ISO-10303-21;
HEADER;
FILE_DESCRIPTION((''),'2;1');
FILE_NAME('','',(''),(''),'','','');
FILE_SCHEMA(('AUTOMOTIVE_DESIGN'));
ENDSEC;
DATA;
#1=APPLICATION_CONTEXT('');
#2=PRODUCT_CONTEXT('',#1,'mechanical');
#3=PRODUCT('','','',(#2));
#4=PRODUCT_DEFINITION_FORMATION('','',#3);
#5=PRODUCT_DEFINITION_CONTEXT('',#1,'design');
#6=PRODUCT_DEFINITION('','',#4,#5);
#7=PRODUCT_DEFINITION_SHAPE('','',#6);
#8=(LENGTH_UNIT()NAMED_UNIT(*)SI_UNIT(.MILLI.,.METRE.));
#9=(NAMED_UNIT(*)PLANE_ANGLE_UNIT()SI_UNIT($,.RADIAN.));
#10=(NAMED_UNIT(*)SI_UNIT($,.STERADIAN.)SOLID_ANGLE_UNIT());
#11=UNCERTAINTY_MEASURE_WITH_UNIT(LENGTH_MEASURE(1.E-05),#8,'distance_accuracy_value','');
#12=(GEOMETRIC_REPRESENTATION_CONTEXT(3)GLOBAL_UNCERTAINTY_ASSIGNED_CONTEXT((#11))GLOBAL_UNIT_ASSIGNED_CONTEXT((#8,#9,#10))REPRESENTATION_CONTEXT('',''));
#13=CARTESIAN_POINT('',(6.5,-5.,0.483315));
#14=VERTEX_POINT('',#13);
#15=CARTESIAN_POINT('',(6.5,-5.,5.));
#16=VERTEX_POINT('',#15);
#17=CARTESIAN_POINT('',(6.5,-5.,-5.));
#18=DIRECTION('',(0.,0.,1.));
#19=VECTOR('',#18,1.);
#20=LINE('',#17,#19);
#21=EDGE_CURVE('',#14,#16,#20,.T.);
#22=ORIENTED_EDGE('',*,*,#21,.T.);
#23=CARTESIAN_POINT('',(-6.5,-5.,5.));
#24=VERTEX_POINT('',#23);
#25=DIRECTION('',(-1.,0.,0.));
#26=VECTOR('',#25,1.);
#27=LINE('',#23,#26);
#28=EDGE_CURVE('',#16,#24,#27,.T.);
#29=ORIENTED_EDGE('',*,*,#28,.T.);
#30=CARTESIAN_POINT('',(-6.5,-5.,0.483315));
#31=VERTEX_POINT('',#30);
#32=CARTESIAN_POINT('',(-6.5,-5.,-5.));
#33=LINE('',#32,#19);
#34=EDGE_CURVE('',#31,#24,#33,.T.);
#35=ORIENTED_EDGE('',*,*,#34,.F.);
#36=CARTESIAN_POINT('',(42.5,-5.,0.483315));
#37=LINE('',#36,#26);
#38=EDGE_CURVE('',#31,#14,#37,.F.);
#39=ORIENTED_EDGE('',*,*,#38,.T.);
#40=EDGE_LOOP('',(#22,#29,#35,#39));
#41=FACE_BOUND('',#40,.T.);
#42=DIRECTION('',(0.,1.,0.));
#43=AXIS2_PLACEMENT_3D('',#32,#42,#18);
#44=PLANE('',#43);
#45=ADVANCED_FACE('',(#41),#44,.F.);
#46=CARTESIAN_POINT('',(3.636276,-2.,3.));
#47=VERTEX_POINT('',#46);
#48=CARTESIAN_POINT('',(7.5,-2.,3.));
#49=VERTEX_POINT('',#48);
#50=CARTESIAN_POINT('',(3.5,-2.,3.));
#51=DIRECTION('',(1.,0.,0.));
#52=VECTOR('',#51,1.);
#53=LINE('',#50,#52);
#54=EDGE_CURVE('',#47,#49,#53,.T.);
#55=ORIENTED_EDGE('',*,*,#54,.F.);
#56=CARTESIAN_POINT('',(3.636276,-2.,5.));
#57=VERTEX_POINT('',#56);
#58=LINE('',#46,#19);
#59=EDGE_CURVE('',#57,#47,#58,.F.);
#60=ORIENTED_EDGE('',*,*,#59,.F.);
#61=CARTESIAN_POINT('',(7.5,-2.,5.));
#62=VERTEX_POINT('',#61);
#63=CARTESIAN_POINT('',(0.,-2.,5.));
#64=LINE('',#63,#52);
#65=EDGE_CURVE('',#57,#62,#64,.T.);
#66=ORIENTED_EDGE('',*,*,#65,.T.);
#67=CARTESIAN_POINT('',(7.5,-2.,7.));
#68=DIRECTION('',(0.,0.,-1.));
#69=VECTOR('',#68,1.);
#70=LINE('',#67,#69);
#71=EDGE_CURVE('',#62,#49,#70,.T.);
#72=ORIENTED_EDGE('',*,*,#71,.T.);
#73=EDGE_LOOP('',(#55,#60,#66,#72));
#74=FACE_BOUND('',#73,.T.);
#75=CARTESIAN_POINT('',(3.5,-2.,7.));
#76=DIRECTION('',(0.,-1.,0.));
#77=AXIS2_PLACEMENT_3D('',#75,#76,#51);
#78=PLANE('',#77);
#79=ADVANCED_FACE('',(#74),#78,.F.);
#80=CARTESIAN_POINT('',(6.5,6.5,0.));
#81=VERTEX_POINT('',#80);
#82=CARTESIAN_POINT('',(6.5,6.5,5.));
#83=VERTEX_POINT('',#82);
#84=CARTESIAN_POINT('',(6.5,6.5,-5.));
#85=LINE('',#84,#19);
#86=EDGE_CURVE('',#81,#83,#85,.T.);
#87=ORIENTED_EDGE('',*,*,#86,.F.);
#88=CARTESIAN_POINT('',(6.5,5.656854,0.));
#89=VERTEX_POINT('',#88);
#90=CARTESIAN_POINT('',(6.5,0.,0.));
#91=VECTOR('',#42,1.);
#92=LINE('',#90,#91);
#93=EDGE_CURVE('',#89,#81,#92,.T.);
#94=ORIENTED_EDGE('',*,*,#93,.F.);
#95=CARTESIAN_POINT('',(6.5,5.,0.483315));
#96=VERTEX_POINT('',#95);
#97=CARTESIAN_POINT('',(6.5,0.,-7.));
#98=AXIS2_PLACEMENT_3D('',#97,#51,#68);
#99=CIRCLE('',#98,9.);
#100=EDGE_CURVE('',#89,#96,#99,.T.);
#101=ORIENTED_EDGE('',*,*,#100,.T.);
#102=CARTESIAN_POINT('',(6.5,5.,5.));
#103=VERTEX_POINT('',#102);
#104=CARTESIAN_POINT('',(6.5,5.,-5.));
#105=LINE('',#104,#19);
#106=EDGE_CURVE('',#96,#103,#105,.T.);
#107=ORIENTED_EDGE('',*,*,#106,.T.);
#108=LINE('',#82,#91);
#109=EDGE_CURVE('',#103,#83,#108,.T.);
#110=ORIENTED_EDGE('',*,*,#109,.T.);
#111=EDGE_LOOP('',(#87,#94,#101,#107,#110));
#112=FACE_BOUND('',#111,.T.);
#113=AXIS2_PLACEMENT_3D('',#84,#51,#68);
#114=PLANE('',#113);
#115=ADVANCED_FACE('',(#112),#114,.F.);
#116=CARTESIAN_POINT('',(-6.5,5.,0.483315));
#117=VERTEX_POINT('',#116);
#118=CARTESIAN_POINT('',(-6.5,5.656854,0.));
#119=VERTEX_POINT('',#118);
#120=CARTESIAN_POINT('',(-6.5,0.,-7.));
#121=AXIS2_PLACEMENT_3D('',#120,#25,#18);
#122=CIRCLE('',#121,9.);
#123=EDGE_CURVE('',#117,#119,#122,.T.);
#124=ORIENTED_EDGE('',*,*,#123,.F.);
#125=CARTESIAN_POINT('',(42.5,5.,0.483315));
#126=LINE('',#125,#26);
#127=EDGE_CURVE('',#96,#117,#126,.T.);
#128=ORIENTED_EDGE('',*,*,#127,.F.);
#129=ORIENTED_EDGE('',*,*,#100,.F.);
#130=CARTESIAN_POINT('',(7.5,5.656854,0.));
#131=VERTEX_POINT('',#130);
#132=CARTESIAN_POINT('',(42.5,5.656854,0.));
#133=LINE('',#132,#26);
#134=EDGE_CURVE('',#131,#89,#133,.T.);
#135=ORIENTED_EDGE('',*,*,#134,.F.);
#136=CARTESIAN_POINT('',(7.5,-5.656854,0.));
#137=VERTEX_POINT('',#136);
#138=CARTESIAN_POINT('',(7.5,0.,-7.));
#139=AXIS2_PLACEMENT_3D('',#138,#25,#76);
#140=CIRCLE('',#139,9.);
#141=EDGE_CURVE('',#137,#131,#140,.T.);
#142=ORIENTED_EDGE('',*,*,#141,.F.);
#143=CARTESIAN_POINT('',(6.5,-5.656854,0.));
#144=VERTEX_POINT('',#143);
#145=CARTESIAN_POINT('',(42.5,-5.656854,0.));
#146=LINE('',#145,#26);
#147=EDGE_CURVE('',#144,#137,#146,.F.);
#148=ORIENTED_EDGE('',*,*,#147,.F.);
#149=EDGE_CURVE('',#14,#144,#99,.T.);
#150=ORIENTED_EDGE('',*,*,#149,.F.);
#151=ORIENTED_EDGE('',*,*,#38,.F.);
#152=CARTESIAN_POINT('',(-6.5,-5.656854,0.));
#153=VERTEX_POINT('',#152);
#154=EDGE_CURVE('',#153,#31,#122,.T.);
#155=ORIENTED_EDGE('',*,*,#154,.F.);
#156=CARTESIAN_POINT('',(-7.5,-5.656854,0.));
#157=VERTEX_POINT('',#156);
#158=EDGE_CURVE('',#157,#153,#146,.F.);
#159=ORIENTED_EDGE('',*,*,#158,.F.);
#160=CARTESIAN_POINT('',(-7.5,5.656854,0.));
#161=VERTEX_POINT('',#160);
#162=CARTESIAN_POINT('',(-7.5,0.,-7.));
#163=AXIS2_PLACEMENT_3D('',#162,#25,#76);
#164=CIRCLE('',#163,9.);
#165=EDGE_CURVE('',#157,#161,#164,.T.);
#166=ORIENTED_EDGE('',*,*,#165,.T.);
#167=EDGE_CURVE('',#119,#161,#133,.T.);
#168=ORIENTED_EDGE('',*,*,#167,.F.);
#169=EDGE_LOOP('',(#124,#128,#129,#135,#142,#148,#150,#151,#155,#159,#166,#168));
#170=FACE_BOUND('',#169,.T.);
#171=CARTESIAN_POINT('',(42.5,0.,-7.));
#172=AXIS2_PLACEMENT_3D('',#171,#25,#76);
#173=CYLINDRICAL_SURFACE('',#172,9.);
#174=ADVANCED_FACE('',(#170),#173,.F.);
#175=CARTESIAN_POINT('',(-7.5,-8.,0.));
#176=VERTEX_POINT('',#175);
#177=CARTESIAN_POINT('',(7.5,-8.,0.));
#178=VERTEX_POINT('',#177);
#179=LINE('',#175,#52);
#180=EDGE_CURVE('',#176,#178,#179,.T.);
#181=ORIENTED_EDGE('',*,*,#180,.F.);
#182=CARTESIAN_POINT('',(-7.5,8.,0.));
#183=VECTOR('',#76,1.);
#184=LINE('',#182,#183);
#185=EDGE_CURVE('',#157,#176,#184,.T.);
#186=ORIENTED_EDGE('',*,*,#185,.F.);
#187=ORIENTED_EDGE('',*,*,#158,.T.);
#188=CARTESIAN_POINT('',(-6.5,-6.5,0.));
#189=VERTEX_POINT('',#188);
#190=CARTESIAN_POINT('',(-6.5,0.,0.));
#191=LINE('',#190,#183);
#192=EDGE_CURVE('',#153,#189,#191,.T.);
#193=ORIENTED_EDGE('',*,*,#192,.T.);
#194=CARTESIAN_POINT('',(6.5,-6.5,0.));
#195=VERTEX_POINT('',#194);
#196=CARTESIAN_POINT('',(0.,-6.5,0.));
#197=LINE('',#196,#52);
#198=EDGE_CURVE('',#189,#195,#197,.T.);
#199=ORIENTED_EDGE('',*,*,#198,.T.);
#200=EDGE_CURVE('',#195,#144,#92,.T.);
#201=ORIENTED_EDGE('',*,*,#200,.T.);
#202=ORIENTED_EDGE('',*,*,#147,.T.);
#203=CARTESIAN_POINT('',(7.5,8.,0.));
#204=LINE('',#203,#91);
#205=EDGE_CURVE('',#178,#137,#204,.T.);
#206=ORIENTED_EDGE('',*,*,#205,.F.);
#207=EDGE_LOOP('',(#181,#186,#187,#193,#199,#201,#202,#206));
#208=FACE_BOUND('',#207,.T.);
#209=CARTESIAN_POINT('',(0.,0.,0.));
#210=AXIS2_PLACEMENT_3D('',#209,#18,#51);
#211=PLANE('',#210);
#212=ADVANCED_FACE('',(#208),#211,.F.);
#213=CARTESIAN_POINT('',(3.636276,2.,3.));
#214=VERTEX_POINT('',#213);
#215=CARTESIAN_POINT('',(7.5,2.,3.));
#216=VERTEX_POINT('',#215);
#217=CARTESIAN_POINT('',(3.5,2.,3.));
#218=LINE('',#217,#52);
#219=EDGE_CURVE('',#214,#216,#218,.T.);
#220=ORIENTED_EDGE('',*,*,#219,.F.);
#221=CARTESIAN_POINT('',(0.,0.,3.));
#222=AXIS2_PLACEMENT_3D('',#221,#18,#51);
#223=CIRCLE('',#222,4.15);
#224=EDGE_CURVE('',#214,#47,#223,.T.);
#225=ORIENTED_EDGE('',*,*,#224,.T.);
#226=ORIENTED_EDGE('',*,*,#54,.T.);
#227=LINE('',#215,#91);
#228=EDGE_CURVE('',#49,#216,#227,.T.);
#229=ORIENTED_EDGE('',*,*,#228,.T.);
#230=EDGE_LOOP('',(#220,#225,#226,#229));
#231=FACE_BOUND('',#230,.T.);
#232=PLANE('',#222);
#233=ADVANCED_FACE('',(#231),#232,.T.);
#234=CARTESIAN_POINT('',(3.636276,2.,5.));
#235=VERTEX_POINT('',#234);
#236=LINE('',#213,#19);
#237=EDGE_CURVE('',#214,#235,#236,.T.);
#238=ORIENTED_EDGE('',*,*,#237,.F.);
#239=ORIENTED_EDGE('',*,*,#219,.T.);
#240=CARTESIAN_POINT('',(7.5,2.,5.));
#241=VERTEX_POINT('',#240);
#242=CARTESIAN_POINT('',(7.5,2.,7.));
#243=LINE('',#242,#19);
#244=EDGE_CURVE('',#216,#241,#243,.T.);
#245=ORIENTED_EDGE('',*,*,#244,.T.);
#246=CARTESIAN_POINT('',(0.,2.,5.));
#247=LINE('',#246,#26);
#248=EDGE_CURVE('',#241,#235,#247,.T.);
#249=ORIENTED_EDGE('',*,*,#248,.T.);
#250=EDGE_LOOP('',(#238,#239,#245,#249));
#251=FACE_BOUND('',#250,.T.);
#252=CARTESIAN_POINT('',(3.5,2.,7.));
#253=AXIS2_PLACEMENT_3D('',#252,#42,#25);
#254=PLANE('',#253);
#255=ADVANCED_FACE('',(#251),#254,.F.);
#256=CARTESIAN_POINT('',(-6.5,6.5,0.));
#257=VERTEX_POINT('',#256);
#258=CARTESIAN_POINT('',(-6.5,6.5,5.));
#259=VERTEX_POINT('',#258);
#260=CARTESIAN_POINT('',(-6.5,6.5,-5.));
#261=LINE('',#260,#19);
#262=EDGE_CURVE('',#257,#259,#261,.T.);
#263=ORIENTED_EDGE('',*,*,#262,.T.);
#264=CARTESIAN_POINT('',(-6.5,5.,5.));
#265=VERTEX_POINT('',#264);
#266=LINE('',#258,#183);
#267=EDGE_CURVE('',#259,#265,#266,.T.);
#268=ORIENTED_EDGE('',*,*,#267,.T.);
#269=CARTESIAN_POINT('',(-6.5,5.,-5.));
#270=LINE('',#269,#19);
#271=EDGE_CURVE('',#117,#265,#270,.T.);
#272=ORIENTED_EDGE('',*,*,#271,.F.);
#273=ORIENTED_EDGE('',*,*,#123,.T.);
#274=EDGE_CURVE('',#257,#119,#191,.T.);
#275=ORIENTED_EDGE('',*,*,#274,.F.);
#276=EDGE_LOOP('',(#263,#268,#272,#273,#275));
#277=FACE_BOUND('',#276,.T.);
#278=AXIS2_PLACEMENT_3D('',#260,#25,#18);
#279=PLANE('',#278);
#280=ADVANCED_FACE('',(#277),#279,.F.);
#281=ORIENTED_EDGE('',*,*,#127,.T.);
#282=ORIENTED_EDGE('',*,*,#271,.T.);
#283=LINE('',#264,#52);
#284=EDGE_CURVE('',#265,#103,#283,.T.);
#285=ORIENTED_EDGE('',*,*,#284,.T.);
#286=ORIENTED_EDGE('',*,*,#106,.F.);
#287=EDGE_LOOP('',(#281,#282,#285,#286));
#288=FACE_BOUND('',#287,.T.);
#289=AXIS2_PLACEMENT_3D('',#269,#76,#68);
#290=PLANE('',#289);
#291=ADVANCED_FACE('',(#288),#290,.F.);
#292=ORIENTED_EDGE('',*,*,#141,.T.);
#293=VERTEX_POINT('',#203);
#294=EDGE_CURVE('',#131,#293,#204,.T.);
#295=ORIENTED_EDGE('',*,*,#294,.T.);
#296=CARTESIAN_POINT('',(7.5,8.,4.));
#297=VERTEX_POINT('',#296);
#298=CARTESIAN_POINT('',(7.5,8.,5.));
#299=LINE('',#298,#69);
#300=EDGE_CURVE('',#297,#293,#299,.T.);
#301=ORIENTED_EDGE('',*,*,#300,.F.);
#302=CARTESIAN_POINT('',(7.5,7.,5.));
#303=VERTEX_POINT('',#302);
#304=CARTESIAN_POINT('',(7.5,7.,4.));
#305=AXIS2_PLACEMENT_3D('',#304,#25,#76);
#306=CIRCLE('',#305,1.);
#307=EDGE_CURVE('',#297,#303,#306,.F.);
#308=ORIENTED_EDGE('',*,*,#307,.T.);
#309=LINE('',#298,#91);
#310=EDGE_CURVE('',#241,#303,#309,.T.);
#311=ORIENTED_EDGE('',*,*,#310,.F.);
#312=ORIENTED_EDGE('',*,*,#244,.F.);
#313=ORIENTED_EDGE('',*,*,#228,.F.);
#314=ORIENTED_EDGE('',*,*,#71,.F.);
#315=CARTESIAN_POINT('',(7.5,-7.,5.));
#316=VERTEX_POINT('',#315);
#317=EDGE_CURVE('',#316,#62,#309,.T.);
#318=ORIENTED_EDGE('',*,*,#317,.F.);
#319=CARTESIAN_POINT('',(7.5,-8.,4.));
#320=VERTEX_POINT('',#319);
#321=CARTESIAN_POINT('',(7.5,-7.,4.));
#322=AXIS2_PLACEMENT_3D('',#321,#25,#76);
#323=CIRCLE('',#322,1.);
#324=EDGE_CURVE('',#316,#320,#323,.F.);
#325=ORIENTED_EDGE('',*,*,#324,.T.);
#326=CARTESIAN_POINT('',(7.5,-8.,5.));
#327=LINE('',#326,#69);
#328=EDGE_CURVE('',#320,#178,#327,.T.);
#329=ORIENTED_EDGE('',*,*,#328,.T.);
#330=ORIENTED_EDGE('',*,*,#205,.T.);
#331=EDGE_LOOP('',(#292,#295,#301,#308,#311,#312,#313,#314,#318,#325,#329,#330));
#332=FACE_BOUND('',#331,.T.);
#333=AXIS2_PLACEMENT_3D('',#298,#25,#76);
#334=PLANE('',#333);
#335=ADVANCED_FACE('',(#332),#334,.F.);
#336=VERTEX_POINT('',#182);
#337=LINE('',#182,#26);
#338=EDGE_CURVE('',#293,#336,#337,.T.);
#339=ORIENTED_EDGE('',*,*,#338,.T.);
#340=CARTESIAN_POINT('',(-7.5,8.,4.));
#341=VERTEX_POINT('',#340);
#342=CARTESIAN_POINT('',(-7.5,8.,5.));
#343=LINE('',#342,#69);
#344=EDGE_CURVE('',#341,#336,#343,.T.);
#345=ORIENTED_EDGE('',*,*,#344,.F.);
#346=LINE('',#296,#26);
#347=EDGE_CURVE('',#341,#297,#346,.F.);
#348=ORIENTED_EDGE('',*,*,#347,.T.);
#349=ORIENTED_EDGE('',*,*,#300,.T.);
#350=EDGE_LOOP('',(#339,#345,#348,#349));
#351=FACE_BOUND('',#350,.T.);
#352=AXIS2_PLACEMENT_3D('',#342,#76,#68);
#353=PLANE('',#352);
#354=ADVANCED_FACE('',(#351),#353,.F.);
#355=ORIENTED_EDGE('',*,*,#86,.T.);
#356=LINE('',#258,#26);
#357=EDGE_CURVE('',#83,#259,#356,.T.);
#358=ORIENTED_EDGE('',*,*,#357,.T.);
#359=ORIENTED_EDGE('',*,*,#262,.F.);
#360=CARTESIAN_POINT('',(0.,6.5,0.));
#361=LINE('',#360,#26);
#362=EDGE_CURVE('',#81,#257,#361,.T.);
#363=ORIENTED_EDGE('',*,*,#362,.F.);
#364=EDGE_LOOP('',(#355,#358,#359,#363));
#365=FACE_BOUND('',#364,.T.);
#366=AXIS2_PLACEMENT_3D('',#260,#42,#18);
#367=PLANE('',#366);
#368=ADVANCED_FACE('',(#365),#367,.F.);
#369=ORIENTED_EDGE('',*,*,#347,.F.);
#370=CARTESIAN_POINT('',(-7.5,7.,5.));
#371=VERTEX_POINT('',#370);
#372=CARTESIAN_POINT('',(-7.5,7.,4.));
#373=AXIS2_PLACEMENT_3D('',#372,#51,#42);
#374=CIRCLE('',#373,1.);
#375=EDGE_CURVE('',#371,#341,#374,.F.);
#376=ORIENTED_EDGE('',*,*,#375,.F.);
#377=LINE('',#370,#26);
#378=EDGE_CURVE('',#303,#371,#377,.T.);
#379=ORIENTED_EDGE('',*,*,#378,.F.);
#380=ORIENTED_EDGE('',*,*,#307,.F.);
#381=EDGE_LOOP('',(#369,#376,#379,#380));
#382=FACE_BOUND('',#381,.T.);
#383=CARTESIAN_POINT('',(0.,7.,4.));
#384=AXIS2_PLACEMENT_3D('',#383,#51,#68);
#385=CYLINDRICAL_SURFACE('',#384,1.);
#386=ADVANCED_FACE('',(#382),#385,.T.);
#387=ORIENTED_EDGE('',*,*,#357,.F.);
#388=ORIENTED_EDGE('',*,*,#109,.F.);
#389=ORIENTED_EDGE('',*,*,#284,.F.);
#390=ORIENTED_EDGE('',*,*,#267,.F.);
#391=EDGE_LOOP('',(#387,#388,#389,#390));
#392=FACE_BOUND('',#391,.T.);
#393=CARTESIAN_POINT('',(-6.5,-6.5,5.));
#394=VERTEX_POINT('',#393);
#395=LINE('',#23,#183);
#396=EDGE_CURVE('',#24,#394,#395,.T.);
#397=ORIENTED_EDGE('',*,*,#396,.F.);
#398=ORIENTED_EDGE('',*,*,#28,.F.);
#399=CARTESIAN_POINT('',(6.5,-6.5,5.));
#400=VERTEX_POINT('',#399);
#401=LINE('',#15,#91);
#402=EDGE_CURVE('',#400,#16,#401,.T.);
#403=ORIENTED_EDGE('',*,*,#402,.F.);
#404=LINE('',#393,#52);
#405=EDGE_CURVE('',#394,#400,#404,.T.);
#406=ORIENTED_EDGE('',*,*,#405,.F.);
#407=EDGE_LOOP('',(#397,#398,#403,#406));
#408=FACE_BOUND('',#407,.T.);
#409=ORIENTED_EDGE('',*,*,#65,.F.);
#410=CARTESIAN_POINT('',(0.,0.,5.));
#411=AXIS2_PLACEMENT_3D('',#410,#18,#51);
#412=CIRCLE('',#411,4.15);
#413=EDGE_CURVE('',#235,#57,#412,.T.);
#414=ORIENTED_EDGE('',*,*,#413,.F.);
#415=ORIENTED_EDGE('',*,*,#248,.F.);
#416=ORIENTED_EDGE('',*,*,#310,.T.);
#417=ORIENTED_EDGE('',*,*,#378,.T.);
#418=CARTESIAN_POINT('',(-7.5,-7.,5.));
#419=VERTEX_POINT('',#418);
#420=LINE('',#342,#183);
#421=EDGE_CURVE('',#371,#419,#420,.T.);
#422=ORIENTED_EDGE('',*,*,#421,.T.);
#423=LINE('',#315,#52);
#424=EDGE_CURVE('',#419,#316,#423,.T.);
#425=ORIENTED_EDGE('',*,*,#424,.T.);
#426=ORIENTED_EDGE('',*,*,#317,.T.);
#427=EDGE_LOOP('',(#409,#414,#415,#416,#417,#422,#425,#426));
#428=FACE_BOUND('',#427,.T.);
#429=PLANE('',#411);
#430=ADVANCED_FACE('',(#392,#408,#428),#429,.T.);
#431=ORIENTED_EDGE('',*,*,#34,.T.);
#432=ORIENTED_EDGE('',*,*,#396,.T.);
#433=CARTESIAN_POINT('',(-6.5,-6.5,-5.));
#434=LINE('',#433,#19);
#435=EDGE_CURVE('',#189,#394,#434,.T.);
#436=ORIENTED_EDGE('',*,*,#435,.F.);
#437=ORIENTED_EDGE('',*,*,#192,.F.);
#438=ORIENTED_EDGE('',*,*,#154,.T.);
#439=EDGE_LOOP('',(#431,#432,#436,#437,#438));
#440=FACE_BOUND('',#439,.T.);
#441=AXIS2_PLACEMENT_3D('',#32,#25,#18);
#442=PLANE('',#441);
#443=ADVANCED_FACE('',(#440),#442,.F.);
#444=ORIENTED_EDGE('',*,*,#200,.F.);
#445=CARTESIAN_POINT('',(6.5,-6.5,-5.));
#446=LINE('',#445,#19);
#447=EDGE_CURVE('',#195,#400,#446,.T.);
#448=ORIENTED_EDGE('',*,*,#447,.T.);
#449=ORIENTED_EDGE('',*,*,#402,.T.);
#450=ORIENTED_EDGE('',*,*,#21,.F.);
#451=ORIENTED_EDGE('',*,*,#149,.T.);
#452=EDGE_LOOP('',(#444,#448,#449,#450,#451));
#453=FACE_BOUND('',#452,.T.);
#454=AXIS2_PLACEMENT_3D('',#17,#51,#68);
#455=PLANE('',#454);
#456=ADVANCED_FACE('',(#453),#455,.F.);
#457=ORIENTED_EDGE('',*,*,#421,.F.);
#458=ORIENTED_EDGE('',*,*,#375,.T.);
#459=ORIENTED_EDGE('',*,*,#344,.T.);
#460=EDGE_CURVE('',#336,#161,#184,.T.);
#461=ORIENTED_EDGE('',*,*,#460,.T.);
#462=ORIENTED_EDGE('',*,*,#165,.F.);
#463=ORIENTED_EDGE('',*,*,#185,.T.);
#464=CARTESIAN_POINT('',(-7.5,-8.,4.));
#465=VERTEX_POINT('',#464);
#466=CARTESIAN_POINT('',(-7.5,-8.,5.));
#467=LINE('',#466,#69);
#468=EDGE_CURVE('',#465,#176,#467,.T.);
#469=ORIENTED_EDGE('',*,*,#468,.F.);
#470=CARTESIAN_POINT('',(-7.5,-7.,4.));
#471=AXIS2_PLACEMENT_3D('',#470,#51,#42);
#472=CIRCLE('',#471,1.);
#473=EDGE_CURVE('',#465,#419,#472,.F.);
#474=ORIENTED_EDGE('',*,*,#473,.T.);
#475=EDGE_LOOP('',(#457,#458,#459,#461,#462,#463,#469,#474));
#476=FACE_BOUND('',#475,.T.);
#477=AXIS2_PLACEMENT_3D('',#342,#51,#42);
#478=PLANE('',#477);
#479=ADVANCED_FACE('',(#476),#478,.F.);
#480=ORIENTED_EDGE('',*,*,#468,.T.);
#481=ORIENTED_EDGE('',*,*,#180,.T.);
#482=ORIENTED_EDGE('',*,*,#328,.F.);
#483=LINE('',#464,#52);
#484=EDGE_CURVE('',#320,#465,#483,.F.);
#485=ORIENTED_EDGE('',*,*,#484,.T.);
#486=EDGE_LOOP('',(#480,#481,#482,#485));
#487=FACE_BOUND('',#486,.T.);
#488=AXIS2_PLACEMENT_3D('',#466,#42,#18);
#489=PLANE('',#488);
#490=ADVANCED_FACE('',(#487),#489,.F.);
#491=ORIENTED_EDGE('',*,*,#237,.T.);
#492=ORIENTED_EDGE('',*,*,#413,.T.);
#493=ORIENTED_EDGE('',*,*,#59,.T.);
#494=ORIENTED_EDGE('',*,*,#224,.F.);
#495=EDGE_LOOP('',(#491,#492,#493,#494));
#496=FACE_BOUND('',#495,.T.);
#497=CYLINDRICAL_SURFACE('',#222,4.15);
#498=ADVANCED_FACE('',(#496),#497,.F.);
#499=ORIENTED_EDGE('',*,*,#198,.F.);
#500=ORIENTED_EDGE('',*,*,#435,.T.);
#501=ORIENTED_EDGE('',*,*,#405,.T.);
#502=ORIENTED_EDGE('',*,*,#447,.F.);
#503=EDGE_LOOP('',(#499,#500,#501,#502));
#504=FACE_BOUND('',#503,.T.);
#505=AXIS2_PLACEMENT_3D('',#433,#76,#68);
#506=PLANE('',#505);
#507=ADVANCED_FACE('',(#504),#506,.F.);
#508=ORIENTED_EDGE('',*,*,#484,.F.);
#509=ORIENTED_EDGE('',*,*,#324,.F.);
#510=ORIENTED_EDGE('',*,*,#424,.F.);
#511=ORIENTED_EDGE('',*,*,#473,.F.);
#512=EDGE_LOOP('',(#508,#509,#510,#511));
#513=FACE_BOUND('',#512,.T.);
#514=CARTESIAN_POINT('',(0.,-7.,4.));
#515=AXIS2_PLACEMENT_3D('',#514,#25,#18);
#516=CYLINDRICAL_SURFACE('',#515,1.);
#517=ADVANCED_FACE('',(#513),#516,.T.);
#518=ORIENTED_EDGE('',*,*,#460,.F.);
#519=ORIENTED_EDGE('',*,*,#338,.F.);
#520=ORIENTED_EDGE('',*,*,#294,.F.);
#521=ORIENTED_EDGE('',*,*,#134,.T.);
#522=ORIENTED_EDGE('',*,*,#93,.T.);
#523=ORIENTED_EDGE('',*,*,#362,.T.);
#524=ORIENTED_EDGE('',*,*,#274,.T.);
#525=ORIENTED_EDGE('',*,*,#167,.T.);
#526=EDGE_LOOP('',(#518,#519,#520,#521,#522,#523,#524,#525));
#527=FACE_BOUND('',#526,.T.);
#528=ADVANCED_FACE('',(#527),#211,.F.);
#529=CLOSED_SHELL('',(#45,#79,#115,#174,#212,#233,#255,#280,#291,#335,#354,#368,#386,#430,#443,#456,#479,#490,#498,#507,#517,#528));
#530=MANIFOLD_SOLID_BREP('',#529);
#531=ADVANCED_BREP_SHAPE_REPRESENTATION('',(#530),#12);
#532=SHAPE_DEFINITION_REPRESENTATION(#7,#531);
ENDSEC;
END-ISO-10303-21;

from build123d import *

# Parameters (mm, degrees)
SKETCH1_W           = 15
SKETCH1_H           = 16
BOSS_EXTRUDE1_DEPTH = 5
SKETCH2_R           = 4.15
CUT_EXTRUDE1_DEPTH  = 2
SKETCH4_W           = 4
SKETCH4_H           = 4
CUT_EXTRUDE2_DEPTH  = 4
SKETCH8_W           = 13
SKETCH8_H           = 1.5
CUT_EXTRUDE4_DEPTH  = 10
SKETCH9_R           = 9
CUT_EXTRUDE6_DEPTH  = 50
FILLET2_R           = 1
FILLET3_R           = 1


with BuildPart() as part:
    # Sketch1 → Boss-Extrude1 (new body)
    with BuildSketch(Plane.XY):
        Rectangle(SKETCH1_W, SKETCH1_H)
    extrude(amount=BOSS_EXTRUDE1_DEPTH)

    # Sketch2 → Cut-Extrude1 (cut)
    with BuildSketch(Plane.XY.offset(5)):
        Circle(SKETCH2_R)
    extrude(amount=-CUT_EXTRUDE1_DEPTH, mode=Mode.SUBTRACT)

    # Sketch4 → Cut-Extrude2 (cut)
    with BuildSketch(Plane(origin=(7.5, 0, 0), x_dir=(0, 0, -1), z_dir=(1, 0, 0))):
        with Locations((-5, 0)):
            Rectangle(SKETCH4_W, SKETCH4_H)
    extrude(amount=-CUT_EXTRUDE2_DEPTH, mode=Mode.SUBTRACT)

    # Sketch8 → Cut-Extrude4 (cut)
    with BuildSketch(Plane.XY.offset(5)):
        with Locations((0, 5.75)):
            Rectangle(SKETCH8_W, SKETCH8_H)
        with Locations((0, -5.75)):
            Rectangle(SKETCH8_W, SKETCH8_H)
    extrude(amount=-CUT_EXTRUDE4_DEPTH, mode=Mode.SUBTRACT)

    # Sketch9 → Cut-Extrude6 (cut)
    with BuildSketch(Plane.ZY.offset(7.5)):
        with Locations((-7, 0)):
            Circle(SKETCH9_R)
    extrude(amount=-CUT_EXTRUDE6_DEPTH, mode=Mode.SUBTRACT)

    # Fillet2
    fillet2_edges = [part.edges().sort_by_distance(p)[0] for p in [
        (0, 8, 5),
    ]]
    fillet(fillet2_edges, radius=FILLET2_R)

    # Fillet3
    fillet3_edges = [part.edges().sort_by_distance(p)[0] for p in [
        (0, -8, 5),
    ]]
    fillet(fillet3_edges, radius=FILLET3_R)


solid = part.part
